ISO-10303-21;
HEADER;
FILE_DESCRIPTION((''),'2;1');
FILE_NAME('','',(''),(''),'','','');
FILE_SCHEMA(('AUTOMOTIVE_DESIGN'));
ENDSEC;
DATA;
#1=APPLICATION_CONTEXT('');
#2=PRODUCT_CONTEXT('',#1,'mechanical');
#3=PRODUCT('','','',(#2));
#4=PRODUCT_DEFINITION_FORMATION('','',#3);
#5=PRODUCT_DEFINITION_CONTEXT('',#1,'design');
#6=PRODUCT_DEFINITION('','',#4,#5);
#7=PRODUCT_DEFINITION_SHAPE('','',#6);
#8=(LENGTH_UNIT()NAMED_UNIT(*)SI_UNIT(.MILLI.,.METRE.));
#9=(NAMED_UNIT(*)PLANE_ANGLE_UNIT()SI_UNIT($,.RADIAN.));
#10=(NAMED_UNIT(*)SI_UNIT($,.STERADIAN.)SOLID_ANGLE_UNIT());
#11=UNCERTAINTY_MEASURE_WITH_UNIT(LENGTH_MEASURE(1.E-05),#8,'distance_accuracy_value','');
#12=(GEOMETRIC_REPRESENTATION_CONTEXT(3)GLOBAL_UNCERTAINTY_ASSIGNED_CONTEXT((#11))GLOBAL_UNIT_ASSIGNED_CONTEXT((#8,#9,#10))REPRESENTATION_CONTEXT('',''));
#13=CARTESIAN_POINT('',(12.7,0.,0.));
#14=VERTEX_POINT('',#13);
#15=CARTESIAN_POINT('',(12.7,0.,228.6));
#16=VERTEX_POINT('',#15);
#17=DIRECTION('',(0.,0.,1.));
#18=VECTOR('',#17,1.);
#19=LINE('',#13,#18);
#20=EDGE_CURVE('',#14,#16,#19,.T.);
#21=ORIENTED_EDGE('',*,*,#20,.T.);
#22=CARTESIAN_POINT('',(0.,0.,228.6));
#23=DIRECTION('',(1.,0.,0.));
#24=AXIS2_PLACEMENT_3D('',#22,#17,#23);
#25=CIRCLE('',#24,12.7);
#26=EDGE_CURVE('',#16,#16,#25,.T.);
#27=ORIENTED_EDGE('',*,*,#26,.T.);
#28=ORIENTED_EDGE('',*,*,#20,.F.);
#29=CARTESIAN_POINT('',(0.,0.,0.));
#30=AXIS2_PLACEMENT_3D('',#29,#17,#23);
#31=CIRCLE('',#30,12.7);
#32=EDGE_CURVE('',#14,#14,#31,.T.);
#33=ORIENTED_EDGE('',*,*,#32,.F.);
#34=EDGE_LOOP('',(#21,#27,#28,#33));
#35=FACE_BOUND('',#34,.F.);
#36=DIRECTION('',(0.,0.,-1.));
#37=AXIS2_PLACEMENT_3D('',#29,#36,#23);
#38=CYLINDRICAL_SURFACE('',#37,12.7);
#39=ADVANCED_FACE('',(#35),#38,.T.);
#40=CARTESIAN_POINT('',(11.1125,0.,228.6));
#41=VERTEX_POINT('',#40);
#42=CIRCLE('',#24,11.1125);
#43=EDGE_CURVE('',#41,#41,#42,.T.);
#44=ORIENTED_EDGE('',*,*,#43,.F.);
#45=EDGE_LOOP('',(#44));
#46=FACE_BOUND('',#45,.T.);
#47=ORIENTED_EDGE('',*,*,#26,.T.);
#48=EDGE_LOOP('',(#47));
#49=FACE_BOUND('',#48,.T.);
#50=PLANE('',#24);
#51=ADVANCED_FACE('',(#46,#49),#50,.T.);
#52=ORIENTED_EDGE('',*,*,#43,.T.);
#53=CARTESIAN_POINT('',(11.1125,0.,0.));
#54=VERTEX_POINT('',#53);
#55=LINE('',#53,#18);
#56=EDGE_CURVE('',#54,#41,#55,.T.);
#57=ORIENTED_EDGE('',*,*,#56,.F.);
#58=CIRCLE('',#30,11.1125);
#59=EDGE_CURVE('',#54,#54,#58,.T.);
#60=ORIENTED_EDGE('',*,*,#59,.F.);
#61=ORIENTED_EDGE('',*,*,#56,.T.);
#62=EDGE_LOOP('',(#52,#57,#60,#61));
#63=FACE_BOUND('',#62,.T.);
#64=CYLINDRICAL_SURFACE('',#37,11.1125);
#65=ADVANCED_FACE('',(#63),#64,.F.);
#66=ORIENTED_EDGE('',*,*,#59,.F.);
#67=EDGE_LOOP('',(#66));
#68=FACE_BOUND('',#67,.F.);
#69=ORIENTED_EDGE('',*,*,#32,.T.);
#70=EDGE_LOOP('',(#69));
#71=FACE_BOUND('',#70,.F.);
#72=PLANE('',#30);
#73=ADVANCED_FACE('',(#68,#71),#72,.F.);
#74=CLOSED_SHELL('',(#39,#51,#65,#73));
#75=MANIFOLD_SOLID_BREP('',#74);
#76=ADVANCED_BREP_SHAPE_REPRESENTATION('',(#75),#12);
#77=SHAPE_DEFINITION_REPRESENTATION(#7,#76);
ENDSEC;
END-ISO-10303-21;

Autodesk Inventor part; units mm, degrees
ref_plane "YZ Plane" through (0, 0, 0) normal (1, 0, 0) x (0, 1, 0)
ref_plane "XZ Plane" through (0, 0, 0) normal (0, 1, 0) x (-1, 0, 0)
ref_plane "XY Plane" through (0, 0, 0) normal (0, 0, 1) x (1, 0, 0)
sketch "Sketch1" plane through (0, 0, 0) normal (0, 0, 1) x (1, 0, 0)
  circle A0 centre (0, 0) radius 12.7
  circle A1 centre (0, 0) radius 11.1125
  dimension "d0" = 25.4
  dimension "d1" = 22.225
extrude "Extrusion1" add sketch "Sketch1" along normal blind 228.6
properties part number "Polycarbonate Clamp Tube (Middle) (8585K14)"
